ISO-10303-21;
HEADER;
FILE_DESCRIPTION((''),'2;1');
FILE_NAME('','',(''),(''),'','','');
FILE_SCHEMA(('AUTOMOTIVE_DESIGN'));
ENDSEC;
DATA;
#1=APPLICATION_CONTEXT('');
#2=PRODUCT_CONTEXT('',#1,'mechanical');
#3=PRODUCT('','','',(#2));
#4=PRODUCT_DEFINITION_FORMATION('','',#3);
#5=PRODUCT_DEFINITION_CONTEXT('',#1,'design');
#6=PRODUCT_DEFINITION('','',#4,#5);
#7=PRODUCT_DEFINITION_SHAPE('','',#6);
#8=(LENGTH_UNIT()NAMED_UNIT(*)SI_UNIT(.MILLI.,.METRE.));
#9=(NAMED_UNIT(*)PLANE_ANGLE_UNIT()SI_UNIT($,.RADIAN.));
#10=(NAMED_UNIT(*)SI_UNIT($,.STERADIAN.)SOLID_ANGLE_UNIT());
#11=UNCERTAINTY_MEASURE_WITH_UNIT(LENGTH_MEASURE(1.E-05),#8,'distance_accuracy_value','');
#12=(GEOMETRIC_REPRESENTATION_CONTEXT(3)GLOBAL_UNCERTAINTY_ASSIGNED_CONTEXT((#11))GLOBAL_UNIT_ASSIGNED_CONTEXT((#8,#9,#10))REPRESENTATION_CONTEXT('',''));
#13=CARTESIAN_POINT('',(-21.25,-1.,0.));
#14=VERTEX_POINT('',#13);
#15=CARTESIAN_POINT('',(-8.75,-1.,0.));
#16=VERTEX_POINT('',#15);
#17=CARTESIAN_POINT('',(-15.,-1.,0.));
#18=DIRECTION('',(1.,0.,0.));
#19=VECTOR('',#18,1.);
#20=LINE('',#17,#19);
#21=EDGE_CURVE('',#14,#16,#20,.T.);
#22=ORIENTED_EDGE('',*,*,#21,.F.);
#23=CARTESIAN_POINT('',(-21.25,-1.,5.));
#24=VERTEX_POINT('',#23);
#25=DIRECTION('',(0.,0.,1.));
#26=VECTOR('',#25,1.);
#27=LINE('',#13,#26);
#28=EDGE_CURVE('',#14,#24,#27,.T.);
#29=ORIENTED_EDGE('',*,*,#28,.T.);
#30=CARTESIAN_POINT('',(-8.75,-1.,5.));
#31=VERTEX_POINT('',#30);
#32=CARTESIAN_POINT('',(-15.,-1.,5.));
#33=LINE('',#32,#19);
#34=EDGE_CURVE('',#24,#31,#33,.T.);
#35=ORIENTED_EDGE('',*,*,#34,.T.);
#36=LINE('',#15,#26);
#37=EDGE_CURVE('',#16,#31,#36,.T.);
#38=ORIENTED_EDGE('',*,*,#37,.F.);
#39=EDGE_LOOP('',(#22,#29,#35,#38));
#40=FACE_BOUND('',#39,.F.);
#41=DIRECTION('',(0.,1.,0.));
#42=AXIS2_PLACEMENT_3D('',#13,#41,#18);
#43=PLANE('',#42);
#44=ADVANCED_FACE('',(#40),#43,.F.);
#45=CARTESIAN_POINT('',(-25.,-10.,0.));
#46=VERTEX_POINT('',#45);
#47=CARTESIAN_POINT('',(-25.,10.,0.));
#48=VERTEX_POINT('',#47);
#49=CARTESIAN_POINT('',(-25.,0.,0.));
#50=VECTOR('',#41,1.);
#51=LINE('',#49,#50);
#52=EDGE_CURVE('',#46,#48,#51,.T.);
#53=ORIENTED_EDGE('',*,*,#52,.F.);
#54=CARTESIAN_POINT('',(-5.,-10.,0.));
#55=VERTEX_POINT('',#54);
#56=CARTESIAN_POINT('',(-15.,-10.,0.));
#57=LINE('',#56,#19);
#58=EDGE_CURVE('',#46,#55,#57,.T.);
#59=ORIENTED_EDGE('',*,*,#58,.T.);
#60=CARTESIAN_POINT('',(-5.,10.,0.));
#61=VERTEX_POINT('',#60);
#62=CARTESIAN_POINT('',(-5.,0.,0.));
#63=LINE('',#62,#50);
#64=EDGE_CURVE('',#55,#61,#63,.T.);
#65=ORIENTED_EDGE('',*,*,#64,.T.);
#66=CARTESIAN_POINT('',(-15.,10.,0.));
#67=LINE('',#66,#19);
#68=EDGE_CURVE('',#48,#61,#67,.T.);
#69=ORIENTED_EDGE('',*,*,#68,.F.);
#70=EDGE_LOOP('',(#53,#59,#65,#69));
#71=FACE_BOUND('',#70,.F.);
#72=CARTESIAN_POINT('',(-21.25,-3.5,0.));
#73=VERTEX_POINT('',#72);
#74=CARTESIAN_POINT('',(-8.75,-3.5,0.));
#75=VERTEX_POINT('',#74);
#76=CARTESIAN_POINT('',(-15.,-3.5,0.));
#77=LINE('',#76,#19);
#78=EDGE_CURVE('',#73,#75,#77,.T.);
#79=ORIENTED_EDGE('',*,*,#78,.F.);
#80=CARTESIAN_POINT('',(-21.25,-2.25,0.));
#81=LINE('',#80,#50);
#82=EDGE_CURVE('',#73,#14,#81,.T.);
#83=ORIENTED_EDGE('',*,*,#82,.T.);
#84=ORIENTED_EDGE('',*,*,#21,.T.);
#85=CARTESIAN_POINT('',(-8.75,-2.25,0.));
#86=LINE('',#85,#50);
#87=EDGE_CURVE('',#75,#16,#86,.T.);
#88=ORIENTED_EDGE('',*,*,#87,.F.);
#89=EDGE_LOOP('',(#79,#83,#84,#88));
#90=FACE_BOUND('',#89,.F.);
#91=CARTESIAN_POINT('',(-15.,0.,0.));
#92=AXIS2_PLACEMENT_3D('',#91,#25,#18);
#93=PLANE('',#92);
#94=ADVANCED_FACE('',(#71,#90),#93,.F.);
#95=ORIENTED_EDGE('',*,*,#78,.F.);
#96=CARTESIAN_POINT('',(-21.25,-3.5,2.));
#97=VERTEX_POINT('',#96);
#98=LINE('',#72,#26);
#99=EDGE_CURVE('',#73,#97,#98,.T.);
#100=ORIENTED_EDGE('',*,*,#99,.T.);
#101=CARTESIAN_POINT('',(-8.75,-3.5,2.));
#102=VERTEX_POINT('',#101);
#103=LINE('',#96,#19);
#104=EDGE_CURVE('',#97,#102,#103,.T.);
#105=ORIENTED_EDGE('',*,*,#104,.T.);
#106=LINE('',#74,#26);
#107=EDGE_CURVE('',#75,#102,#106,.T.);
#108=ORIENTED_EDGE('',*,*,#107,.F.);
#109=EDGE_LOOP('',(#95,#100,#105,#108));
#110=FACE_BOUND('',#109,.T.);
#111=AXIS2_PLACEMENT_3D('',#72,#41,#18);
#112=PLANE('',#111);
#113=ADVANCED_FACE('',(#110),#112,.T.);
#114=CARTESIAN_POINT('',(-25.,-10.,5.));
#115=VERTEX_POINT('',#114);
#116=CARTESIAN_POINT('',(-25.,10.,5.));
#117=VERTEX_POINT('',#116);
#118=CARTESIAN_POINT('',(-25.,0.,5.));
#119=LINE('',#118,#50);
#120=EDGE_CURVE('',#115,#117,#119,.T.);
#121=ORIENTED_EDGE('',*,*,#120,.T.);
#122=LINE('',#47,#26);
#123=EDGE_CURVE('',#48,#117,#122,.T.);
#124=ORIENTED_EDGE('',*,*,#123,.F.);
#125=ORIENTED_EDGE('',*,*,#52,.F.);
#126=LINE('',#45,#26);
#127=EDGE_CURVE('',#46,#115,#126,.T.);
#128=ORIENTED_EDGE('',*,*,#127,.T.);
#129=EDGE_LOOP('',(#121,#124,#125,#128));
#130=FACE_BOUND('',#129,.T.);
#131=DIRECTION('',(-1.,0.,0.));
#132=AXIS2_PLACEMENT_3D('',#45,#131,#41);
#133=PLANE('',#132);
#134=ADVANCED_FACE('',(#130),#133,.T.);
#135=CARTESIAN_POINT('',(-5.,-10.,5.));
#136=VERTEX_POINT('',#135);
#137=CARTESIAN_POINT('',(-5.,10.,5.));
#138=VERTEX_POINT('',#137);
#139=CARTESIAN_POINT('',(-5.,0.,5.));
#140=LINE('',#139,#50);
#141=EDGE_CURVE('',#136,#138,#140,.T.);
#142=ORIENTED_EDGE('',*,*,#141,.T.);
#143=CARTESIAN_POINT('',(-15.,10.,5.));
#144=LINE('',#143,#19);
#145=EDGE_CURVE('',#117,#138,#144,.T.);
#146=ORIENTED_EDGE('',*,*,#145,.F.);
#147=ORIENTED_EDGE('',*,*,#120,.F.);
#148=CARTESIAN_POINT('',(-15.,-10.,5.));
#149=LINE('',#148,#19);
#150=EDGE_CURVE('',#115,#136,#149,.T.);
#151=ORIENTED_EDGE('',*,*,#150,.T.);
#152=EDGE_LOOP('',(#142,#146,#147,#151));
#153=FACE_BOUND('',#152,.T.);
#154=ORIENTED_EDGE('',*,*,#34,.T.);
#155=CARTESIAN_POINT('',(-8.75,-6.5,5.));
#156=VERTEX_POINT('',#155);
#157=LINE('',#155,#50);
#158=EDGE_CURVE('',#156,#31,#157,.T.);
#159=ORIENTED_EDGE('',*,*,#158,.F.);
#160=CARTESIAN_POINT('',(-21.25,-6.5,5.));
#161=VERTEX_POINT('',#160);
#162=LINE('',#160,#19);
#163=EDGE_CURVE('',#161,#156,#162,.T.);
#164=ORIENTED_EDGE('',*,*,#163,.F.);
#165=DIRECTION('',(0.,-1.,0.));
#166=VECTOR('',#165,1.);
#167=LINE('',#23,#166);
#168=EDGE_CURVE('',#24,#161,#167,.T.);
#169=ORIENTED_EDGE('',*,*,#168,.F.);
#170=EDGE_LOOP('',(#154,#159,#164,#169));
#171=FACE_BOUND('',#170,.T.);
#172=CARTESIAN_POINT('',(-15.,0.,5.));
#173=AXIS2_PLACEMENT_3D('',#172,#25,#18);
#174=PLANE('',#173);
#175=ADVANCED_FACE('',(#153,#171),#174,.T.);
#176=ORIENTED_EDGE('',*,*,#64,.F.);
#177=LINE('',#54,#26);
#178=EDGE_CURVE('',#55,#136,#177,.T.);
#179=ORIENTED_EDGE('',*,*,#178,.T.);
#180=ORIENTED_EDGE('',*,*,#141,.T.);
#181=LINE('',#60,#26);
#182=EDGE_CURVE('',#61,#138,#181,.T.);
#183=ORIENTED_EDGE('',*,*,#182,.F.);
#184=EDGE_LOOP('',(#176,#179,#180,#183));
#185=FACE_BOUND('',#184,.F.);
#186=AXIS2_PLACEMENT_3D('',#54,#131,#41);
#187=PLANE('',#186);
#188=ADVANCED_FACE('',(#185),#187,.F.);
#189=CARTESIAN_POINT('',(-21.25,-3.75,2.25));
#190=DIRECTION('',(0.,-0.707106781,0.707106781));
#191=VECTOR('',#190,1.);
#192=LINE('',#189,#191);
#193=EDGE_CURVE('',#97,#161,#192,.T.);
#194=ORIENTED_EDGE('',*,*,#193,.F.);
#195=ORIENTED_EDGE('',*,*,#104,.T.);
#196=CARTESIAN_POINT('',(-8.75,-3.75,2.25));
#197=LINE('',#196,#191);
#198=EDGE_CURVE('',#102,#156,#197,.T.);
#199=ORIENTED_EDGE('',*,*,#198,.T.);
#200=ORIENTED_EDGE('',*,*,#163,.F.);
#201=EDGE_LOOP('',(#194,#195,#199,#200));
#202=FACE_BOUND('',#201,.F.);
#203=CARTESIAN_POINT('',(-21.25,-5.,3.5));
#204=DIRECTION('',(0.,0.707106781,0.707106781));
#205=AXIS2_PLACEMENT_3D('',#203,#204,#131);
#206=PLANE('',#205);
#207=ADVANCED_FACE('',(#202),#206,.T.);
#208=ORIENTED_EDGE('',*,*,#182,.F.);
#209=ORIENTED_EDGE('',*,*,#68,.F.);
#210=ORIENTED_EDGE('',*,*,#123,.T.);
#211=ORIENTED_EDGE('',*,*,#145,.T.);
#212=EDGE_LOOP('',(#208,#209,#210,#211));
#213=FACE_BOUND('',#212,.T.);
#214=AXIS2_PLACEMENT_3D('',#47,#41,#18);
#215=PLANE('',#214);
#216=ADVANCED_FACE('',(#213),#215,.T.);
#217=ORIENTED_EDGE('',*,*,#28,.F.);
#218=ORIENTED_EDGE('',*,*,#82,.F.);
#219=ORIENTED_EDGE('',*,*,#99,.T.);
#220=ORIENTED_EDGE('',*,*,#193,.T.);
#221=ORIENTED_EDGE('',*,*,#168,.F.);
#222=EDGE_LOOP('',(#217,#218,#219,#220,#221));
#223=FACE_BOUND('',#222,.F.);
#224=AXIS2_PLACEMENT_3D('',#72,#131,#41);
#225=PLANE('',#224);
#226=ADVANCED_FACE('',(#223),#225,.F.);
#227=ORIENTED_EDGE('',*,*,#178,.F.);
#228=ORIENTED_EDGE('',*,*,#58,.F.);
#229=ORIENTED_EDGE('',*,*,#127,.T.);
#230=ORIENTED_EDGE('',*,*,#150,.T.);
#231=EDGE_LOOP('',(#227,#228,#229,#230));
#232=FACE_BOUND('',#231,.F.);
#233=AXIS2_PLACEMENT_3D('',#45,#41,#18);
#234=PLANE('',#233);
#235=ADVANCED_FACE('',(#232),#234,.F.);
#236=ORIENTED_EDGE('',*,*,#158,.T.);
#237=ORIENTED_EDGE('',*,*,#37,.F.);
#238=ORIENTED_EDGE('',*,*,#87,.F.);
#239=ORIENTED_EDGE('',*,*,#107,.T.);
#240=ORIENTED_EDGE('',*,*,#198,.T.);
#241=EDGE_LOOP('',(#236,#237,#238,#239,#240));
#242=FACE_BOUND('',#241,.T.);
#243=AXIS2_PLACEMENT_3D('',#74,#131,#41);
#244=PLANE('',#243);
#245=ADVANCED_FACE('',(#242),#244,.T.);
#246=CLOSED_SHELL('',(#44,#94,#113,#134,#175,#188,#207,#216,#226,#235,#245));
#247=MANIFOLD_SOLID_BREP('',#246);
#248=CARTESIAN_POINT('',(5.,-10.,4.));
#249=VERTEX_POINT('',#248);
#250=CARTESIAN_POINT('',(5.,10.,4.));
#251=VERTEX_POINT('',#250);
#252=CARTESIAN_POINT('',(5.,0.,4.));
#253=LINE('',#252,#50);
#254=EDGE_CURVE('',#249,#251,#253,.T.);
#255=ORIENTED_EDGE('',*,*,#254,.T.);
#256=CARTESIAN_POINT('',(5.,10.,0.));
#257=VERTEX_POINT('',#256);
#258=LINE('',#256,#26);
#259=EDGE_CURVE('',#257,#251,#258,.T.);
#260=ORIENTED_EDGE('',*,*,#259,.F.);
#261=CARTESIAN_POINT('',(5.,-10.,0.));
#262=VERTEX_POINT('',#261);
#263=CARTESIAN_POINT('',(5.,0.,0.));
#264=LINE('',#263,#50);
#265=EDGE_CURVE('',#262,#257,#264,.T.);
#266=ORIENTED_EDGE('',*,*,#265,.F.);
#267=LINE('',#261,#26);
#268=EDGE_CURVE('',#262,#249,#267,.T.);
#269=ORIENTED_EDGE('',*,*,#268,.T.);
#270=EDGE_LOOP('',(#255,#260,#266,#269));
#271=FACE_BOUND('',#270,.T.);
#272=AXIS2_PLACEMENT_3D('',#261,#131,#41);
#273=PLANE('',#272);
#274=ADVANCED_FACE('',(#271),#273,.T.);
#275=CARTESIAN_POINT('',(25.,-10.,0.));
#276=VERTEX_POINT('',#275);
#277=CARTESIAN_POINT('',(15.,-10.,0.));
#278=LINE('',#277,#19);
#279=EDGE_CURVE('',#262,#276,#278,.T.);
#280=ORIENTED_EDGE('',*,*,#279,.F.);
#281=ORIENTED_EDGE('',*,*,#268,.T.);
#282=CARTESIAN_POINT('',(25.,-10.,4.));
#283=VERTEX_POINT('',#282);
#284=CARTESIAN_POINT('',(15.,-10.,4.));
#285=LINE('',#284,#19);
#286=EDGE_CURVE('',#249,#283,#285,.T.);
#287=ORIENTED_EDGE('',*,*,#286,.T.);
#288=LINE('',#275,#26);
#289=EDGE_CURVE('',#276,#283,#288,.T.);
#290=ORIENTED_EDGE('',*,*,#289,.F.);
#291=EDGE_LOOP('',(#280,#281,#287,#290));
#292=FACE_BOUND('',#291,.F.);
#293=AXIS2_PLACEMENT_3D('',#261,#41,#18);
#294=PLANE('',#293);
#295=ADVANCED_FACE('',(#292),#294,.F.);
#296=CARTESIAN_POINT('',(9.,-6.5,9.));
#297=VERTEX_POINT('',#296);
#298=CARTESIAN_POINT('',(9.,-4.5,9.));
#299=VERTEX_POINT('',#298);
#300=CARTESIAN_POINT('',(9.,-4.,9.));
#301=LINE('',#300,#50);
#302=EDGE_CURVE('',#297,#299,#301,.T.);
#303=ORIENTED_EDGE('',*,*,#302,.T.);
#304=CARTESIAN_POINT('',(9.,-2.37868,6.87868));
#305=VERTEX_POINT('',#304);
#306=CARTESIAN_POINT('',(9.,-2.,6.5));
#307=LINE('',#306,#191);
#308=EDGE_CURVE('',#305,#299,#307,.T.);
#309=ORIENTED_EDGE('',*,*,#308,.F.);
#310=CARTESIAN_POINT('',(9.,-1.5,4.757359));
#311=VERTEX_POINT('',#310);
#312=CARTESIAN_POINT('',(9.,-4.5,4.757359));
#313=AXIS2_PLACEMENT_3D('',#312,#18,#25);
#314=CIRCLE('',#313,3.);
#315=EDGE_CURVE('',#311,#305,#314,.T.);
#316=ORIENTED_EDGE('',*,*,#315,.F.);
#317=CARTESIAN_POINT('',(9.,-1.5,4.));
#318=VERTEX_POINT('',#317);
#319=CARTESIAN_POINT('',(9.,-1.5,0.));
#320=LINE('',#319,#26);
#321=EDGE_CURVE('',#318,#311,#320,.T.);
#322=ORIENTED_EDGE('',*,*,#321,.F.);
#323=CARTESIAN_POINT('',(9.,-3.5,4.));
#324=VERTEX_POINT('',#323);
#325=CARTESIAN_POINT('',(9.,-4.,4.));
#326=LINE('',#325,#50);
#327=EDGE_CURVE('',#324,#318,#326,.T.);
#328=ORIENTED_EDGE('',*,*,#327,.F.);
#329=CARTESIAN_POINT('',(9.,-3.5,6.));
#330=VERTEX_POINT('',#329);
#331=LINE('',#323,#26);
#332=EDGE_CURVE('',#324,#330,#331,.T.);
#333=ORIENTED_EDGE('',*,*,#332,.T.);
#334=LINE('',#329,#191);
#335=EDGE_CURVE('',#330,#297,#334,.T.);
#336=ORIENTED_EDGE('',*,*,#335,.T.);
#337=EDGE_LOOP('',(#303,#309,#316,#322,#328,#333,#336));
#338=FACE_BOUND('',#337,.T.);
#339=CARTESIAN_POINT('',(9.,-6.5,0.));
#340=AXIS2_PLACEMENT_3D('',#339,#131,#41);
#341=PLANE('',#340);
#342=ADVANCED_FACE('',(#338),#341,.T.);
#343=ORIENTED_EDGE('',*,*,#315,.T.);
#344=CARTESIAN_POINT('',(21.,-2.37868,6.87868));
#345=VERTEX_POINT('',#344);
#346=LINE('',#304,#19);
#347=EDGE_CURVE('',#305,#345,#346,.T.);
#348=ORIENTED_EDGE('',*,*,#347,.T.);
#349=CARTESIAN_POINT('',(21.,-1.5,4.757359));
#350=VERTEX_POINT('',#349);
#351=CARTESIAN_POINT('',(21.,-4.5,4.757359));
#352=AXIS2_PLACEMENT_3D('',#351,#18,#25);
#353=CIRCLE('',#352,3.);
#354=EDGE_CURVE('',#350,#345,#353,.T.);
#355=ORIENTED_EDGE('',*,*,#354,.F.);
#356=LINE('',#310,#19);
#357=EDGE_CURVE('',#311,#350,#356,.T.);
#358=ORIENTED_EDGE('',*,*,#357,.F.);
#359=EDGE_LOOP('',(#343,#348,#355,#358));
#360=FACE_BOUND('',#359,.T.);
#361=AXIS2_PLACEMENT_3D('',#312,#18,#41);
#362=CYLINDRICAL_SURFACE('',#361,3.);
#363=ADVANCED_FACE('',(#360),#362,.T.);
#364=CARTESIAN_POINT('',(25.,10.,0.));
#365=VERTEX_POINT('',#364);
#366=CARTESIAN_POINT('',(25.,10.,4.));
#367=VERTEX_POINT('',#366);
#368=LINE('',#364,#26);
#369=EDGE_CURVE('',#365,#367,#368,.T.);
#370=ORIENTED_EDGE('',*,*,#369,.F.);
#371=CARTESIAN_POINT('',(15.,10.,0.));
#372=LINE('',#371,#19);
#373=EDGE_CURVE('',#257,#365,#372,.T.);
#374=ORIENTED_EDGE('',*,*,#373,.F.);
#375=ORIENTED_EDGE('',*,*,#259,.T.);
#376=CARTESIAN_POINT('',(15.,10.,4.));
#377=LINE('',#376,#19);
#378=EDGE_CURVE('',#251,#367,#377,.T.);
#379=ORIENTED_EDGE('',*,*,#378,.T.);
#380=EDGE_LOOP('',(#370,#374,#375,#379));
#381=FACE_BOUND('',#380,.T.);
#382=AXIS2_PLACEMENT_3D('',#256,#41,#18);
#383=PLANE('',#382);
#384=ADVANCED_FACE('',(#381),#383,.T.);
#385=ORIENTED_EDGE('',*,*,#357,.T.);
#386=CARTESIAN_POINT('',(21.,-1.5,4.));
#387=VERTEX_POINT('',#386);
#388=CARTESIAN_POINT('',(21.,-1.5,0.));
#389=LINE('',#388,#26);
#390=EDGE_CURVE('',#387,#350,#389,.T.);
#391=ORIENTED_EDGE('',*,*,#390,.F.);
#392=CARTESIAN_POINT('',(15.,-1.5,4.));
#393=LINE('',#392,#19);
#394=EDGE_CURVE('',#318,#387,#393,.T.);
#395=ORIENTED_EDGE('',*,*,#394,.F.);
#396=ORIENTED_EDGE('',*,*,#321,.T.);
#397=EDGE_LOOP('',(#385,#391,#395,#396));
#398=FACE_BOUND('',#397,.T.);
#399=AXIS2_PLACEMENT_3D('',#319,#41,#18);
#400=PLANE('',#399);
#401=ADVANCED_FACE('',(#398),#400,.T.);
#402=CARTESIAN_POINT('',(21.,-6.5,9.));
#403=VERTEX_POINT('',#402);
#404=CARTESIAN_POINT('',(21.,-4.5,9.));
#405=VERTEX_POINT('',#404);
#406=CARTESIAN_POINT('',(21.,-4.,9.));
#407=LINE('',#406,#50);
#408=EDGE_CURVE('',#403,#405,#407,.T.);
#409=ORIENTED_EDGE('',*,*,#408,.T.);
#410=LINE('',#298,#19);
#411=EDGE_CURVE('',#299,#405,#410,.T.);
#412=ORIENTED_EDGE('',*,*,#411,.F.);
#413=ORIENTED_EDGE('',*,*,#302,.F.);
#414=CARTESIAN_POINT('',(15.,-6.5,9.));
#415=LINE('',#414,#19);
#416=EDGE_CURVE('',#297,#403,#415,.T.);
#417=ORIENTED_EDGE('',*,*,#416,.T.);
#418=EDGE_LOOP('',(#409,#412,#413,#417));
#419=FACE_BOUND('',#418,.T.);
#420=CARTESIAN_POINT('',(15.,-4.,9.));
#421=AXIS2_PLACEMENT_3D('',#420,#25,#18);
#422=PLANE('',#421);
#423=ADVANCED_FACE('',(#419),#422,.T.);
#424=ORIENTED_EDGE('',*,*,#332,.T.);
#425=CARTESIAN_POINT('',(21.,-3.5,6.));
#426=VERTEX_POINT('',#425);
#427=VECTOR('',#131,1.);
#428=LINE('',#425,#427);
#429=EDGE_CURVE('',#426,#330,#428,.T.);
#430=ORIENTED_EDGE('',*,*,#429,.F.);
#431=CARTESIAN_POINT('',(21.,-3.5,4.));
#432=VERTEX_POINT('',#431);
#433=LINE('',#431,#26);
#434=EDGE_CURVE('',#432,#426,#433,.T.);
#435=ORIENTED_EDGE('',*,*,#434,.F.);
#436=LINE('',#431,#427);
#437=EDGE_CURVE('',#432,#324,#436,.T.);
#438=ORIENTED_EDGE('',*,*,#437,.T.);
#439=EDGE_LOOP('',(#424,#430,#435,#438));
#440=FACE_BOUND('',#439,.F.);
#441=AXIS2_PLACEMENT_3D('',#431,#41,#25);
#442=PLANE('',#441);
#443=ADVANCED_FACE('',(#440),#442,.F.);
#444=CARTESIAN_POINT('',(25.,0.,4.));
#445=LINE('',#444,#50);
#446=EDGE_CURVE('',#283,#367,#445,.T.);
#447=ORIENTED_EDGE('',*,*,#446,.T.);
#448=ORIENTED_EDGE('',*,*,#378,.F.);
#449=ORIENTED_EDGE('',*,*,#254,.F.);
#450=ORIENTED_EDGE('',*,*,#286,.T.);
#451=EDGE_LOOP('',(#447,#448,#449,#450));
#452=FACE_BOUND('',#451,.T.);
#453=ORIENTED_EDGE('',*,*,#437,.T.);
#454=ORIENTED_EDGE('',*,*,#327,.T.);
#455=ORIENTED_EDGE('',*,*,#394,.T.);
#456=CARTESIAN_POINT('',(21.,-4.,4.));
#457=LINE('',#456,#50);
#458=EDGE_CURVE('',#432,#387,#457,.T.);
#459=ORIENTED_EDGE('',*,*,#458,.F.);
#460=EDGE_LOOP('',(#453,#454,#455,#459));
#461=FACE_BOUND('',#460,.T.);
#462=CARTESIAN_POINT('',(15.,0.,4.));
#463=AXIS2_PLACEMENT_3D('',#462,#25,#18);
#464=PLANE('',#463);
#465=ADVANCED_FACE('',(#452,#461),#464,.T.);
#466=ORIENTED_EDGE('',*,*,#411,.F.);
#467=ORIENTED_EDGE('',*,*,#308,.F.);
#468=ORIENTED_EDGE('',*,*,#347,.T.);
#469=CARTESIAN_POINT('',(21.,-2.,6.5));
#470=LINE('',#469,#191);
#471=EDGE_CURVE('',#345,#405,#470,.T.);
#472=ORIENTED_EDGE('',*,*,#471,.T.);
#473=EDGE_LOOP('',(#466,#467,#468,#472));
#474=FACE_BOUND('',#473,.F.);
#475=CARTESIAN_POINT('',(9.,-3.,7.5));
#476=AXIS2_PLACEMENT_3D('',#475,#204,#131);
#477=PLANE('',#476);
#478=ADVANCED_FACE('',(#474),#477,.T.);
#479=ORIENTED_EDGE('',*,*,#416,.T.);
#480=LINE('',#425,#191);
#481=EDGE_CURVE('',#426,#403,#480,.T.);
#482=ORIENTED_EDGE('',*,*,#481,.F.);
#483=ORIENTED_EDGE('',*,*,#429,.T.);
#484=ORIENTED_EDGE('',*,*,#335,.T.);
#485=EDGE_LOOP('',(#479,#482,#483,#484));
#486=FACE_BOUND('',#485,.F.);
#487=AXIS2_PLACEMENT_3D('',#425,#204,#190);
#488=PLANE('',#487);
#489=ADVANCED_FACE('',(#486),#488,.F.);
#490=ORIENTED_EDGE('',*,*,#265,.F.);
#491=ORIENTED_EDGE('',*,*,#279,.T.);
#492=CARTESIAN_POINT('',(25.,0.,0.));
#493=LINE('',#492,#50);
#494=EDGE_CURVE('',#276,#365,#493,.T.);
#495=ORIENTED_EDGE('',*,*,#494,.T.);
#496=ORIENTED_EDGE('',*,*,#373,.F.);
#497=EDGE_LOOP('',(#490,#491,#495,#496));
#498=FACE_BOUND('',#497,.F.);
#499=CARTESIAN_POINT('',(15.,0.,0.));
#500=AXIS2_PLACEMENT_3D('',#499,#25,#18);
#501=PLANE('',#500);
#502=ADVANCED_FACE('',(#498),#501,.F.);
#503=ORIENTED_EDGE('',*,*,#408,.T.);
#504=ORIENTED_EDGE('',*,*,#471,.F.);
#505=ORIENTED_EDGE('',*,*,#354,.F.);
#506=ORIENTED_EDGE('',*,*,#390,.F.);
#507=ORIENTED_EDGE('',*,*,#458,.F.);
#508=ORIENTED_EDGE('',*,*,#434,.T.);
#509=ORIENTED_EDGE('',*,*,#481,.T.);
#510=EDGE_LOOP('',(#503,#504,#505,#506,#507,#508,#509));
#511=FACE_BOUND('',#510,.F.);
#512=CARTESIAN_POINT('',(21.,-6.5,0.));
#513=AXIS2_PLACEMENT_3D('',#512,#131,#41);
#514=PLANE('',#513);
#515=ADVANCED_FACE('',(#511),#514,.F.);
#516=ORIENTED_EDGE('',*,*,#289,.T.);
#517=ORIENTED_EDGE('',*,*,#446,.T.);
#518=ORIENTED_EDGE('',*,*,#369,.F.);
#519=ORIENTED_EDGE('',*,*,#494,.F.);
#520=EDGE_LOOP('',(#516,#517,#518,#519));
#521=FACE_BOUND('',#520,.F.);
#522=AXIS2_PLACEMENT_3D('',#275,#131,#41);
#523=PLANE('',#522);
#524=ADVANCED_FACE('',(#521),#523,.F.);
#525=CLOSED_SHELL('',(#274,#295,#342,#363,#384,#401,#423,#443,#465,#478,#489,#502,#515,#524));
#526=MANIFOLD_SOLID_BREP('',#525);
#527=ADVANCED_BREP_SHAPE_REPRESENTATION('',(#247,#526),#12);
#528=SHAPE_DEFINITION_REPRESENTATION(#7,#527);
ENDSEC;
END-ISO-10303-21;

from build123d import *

# Parameters (mm, degrees)
F0_W     = 12
F0_H     = 5
F1_DEPTH = 9
F0_W_2   = 20
F0_H_2   = 20
F2_DEPTH = 4
F0_W_3   = 12.5
F0_H_3   = 2.5
F3_DEPTH = 5
F4_SIZE2 = 3
F4_SIZE  = 3
F6_DEPTH = 12
F7_SIZE  = 3
F8_R     = 3


with BuildPart() as f1:
    # F0 (on Top) → F1 (new body)
    with BuildSketch(Plane.XY):
        with Locations((15, -4)):
            Rectangle(F0_W, F0_H)
    extrude(amount=F1_DEPTH)

    # F0 (on Top) → F2 (join)
    with BuildSketch(Plane.XY):
        with Locations((15, 0)):
            Rectangle(F0_W_2, F0_H_2)
        with Locations((15, -4)):
            Rectangle(F0_W, F0_H, mode=Mode.SUBTRACT)
    extrude(amount=F2_DEPTH)

    # F5 (on face) → F6 (cut)
    with BuildSketch(Plane.YZ.offset(21)):
        Polygon((-3.5, 6), (-6.5, 9), (-6.5, 4), (-3.5, 4), align=None)
    extrude(amount=-F6_DEPTH, mode=Mode.SUBTRACT)

    # F7
    f7_edges = [f1.edges().sort_by_distance(p)[0] for p in [
        (15, -1.5, 9),
    ]]
    chamfer(f7_edges, length=F7_SIZE)

    # F8
    f8_edges = [f1.edges().sort_by_distance(p)[0] for p in [
        (15, -1.5, 6),
    ]]
    fillet(f8_edges, radius=F8_R)


with BuildPart() as f3:
    # F0 (on Top) → F3 (new body)
    with BuildSketch(Plane.XY):
        with Locations((-15, 0)):
            Rectangle(F0_W_2, F0_H_2)
        with Locations((-15, -2.25)):
            Rectangle(F0_W_3, F0_H_3, mode=Mode.SUBTRACT)
    extrude(amount=F3_DEPTH)

    # F4
    f4_edges = [f3.edges().sort_by_distance(p)[0] for p in [
        (-15, -3.5, 5),
    ]]
    chamfer(f4_edges, length=F4_SIZE, length2=F4_SIZE2)


solid = Compound([f1.part, f3.part])
